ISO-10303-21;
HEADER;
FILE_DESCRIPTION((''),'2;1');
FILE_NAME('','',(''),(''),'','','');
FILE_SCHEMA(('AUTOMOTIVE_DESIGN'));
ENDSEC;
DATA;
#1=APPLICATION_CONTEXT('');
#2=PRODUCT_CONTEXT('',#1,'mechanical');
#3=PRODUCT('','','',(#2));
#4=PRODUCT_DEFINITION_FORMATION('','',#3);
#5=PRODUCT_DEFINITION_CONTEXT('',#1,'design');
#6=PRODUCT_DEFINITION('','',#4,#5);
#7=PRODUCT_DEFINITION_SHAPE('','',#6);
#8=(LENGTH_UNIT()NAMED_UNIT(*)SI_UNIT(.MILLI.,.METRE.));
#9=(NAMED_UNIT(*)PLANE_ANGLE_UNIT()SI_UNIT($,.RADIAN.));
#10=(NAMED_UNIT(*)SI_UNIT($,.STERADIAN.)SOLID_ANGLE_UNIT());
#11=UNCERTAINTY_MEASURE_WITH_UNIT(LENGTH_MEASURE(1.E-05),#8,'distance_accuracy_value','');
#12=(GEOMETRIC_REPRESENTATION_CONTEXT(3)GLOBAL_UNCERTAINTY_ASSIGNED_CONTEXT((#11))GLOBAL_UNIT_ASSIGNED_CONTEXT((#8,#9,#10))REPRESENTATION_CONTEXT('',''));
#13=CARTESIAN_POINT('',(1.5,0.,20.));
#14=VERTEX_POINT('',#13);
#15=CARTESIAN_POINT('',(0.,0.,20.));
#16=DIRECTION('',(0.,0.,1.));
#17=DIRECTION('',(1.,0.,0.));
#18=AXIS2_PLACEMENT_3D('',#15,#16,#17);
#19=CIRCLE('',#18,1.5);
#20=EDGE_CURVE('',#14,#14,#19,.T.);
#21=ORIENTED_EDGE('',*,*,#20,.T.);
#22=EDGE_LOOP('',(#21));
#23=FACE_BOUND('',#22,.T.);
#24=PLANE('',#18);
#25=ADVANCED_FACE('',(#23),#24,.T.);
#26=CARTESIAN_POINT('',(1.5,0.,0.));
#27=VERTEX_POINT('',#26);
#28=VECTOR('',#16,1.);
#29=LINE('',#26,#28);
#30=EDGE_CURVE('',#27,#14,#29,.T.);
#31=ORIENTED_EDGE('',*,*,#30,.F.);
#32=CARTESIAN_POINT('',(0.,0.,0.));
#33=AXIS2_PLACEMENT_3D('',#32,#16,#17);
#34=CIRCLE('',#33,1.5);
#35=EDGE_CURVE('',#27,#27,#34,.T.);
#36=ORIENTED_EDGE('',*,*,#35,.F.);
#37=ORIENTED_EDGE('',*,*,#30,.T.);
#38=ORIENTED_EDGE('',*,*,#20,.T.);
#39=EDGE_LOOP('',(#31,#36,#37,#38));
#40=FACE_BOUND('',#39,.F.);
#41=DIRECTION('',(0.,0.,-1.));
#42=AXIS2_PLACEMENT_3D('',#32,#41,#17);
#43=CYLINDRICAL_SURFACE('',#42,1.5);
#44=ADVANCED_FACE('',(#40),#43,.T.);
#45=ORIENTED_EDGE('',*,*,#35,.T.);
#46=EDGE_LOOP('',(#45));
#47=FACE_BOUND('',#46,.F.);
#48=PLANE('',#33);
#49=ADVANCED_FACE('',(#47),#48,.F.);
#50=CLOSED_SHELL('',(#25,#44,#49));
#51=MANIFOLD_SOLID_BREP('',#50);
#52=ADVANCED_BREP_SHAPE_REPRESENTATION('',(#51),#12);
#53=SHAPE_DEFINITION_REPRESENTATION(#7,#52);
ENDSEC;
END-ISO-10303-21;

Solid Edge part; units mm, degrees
sketch "Sketch1" plane through (0, 0, 0) normal (0, 0, 1) x (1, 0, 0)
  circle A0 centre (0, 0) radius 1.5
extrude "Protrusion1" add sketch "Sketch1" along normal blind 20
